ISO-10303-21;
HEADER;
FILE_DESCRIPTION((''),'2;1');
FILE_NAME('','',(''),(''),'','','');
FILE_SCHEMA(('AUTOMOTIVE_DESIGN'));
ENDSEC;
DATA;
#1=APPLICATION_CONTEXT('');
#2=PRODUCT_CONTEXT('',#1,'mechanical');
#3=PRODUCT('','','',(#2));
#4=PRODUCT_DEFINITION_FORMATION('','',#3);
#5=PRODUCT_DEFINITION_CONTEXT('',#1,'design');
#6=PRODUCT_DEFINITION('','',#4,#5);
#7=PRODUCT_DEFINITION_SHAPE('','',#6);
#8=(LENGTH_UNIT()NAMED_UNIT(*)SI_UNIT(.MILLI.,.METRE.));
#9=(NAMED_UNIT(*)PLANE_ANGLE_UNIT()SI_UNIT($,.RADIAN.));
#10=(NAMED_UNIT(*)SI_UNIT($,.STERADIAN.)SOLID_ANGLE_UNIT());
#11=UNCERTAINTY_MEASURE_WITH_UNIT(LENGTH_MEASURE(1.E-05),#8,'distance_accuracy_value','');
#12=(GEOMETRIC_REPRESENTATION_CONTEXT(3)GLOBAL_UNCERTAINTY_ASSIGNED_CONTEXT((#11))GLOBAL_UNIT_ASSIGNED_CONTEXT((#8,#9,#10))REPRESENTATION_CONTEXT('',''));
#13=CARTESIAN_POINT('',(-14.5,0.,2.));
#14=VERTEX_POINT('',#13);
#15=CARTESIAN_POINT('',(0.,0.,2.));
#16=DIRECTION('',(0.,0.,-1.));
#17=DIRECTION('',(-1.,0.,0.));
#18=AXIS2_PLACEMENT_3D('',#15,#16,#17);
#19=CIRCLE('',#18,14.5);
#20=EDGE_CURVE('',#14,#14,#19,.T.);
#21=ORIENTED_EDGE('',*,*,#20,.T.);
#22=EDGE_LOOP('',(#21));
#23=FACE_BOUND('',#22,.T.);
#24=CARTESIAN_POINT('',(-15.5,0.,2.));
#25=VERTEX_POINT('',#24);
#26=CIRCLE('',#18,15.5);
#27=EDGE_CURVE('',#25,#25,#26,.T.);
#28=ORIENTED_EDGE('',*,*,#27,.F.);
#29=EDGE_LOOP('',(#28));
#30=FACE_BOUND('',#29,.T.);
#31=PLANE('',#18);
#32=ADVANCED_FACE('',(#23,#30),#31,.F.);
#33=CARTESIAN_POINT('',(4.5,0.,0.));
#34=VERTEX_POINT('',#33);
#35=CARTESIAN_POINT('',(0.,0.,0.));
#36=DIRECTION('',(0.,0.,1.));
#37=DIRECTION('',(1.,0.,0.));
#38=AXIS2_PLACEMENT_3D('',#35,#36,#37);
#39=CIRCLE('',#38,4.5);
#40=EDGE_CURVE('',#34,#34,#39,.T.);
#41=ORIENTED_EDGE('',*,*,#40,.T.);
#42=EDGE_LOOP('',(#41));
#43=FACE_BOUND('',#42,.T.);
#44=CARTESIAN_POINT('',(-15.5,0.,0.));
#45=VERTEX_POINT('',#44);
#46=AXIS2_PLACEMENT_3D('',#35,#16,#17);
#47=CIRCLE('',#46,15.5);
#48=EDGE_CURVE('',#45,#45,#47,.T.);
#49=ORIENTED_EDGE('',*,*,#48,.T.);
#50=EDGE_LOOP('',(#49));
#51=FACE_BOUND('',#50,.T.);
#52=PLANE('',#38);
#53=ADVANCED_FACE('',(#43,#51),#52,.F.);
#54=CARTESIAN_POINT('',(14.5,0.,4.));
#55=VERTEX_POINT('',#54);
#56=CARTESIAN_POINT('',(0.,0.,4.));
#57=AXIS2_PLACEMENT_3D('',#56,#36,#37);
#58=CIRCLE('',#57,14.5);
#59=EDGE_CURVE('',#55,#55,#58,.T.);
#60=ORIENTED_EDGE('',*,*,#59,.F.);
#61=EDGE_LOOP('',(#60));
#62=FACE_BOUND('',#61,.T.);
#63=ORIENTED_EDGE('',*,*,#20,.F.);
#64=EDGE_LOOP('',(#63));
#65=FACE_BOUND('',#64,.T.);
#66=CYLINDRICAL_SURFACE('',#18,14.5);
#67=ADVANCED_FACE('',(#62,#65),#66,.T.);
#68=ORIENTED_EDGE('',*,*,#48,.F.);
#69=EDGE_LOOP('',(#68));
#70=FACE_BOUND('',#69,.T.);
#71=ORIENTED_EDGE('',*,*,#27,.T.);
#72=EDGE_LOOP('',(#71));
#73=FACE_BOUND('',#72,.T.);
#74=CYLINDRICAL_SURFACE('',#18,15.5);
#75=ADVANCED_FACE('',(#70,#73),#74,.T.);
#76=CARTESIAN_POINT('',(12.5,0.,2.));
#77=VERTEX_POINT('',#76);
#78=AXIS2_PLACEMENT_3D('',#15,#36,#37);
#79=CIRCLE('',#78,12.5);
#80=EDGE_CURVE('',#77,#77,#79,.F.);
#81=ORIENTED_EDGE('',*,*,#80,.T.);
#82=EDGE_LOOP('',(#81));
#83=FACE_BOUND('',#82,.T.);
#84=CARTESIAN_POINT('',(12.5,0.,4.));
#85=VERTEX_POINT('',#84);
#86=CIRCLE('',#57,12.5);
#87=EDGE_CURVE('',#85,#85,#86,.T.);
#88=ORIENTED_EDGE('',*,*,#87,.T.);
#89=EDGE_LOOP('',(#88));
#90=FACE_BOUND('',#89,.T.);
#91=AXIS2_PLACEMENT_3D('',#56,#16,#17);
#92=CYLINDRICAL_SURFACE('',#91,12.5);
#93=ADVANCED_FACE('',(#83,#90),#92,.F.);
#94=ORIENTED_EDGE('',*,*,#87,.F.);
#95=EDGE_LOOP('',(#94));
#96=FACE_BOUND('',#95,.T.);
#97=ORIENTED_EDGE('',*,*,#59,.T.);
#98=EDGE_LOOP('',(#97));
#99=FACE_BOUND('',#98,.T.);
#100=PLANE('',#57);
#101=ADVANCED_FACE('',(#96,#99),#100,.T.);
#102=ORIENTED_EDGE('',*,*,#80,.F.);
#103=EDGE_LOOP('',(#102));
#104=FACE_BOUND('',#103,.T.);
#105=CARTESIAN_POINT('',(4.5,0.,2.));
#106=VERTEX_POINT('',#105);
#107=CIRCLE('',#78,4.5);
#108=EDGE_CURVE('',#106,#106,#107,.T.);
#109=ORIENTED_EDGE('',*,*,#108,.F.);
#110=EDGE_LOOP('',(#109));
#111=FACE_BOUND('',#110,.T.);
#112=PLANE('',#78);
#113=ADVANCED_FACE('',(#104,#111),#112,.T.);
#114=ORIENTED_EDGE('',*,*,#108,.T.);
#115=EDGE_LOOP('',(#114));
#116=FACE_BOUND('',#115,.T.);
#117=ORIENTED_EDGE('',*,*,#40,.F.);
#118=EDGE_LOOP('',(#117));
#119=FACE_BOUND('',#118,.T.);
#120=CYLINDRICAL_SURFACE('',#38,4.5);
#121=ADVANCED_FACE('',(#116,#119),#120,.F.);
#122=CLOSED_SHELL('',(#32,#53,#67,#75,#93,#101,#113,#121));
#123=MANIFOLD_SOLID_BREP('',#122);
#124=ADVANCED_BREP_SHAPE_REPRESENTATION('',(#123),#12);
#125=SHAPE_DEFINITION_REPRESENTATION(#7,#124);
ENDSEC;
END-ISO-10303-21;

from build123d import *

# Parameters (mm, degrees)
SKETCH1_R           = 14.5
BOSS_EXTRUDE1_DEPTH = 2
SKETCH2_R           = 14.5
SKETCH2_R_2         = 12.5
BOSS_EXTRUDE2_DEPTH = 2
SKETCH3_R           = 4.5
CUT_EXTRUDE1_DEPTH  = 2
SKETCH4_R           = 15.5
SKETCH4_R_2         = 14.5
BOSS_EXTRUDE3_DEPTH = 2


with BuildPart() as part:
    # Sketch1 → Boss-Extrude1 (new body)
    with BuildSketch(Plane.XY):
        Circle(SKETCH1_R)
    extrude(amount=BOSS_EXTRUDE1_DEPTH)

    # Sketch2 → Boss-Extrude2 (add)
    with BuildSketch(Plane.XY.offset(2)):
        Circle(SKETCH2_R)
        Circle(SKETCH2_R_2, mode=Mode.SUBTRACT)
    extrude(amount=BOSS_EXTRUDE2_DEPTH)

    # Sketch3 → Cut-Extrude1 (cut)
    with BuildSketch(Plane.XY.offset(2)):
        Circle(SKETCH3_R)
    extrude(amount=-CUT_EXTRUDE1_DEPTH, mode=Mode.SUBTRACT)

    # Sketch4 → Boss-Extrude3 (add)
    with BuildSketch(Plane(origin=(0, 0, 0), x_dir=(-1, 0, 0), z_dir=(0, 0, -1))):
        Circle(SKETCH4_R)
        Circle(SKETCH4_R_2, mode=Mode.SUBTRACT)
    extrude(amount=-BOSS_EXTRUDE3_DEPTH)


solid = part.part
